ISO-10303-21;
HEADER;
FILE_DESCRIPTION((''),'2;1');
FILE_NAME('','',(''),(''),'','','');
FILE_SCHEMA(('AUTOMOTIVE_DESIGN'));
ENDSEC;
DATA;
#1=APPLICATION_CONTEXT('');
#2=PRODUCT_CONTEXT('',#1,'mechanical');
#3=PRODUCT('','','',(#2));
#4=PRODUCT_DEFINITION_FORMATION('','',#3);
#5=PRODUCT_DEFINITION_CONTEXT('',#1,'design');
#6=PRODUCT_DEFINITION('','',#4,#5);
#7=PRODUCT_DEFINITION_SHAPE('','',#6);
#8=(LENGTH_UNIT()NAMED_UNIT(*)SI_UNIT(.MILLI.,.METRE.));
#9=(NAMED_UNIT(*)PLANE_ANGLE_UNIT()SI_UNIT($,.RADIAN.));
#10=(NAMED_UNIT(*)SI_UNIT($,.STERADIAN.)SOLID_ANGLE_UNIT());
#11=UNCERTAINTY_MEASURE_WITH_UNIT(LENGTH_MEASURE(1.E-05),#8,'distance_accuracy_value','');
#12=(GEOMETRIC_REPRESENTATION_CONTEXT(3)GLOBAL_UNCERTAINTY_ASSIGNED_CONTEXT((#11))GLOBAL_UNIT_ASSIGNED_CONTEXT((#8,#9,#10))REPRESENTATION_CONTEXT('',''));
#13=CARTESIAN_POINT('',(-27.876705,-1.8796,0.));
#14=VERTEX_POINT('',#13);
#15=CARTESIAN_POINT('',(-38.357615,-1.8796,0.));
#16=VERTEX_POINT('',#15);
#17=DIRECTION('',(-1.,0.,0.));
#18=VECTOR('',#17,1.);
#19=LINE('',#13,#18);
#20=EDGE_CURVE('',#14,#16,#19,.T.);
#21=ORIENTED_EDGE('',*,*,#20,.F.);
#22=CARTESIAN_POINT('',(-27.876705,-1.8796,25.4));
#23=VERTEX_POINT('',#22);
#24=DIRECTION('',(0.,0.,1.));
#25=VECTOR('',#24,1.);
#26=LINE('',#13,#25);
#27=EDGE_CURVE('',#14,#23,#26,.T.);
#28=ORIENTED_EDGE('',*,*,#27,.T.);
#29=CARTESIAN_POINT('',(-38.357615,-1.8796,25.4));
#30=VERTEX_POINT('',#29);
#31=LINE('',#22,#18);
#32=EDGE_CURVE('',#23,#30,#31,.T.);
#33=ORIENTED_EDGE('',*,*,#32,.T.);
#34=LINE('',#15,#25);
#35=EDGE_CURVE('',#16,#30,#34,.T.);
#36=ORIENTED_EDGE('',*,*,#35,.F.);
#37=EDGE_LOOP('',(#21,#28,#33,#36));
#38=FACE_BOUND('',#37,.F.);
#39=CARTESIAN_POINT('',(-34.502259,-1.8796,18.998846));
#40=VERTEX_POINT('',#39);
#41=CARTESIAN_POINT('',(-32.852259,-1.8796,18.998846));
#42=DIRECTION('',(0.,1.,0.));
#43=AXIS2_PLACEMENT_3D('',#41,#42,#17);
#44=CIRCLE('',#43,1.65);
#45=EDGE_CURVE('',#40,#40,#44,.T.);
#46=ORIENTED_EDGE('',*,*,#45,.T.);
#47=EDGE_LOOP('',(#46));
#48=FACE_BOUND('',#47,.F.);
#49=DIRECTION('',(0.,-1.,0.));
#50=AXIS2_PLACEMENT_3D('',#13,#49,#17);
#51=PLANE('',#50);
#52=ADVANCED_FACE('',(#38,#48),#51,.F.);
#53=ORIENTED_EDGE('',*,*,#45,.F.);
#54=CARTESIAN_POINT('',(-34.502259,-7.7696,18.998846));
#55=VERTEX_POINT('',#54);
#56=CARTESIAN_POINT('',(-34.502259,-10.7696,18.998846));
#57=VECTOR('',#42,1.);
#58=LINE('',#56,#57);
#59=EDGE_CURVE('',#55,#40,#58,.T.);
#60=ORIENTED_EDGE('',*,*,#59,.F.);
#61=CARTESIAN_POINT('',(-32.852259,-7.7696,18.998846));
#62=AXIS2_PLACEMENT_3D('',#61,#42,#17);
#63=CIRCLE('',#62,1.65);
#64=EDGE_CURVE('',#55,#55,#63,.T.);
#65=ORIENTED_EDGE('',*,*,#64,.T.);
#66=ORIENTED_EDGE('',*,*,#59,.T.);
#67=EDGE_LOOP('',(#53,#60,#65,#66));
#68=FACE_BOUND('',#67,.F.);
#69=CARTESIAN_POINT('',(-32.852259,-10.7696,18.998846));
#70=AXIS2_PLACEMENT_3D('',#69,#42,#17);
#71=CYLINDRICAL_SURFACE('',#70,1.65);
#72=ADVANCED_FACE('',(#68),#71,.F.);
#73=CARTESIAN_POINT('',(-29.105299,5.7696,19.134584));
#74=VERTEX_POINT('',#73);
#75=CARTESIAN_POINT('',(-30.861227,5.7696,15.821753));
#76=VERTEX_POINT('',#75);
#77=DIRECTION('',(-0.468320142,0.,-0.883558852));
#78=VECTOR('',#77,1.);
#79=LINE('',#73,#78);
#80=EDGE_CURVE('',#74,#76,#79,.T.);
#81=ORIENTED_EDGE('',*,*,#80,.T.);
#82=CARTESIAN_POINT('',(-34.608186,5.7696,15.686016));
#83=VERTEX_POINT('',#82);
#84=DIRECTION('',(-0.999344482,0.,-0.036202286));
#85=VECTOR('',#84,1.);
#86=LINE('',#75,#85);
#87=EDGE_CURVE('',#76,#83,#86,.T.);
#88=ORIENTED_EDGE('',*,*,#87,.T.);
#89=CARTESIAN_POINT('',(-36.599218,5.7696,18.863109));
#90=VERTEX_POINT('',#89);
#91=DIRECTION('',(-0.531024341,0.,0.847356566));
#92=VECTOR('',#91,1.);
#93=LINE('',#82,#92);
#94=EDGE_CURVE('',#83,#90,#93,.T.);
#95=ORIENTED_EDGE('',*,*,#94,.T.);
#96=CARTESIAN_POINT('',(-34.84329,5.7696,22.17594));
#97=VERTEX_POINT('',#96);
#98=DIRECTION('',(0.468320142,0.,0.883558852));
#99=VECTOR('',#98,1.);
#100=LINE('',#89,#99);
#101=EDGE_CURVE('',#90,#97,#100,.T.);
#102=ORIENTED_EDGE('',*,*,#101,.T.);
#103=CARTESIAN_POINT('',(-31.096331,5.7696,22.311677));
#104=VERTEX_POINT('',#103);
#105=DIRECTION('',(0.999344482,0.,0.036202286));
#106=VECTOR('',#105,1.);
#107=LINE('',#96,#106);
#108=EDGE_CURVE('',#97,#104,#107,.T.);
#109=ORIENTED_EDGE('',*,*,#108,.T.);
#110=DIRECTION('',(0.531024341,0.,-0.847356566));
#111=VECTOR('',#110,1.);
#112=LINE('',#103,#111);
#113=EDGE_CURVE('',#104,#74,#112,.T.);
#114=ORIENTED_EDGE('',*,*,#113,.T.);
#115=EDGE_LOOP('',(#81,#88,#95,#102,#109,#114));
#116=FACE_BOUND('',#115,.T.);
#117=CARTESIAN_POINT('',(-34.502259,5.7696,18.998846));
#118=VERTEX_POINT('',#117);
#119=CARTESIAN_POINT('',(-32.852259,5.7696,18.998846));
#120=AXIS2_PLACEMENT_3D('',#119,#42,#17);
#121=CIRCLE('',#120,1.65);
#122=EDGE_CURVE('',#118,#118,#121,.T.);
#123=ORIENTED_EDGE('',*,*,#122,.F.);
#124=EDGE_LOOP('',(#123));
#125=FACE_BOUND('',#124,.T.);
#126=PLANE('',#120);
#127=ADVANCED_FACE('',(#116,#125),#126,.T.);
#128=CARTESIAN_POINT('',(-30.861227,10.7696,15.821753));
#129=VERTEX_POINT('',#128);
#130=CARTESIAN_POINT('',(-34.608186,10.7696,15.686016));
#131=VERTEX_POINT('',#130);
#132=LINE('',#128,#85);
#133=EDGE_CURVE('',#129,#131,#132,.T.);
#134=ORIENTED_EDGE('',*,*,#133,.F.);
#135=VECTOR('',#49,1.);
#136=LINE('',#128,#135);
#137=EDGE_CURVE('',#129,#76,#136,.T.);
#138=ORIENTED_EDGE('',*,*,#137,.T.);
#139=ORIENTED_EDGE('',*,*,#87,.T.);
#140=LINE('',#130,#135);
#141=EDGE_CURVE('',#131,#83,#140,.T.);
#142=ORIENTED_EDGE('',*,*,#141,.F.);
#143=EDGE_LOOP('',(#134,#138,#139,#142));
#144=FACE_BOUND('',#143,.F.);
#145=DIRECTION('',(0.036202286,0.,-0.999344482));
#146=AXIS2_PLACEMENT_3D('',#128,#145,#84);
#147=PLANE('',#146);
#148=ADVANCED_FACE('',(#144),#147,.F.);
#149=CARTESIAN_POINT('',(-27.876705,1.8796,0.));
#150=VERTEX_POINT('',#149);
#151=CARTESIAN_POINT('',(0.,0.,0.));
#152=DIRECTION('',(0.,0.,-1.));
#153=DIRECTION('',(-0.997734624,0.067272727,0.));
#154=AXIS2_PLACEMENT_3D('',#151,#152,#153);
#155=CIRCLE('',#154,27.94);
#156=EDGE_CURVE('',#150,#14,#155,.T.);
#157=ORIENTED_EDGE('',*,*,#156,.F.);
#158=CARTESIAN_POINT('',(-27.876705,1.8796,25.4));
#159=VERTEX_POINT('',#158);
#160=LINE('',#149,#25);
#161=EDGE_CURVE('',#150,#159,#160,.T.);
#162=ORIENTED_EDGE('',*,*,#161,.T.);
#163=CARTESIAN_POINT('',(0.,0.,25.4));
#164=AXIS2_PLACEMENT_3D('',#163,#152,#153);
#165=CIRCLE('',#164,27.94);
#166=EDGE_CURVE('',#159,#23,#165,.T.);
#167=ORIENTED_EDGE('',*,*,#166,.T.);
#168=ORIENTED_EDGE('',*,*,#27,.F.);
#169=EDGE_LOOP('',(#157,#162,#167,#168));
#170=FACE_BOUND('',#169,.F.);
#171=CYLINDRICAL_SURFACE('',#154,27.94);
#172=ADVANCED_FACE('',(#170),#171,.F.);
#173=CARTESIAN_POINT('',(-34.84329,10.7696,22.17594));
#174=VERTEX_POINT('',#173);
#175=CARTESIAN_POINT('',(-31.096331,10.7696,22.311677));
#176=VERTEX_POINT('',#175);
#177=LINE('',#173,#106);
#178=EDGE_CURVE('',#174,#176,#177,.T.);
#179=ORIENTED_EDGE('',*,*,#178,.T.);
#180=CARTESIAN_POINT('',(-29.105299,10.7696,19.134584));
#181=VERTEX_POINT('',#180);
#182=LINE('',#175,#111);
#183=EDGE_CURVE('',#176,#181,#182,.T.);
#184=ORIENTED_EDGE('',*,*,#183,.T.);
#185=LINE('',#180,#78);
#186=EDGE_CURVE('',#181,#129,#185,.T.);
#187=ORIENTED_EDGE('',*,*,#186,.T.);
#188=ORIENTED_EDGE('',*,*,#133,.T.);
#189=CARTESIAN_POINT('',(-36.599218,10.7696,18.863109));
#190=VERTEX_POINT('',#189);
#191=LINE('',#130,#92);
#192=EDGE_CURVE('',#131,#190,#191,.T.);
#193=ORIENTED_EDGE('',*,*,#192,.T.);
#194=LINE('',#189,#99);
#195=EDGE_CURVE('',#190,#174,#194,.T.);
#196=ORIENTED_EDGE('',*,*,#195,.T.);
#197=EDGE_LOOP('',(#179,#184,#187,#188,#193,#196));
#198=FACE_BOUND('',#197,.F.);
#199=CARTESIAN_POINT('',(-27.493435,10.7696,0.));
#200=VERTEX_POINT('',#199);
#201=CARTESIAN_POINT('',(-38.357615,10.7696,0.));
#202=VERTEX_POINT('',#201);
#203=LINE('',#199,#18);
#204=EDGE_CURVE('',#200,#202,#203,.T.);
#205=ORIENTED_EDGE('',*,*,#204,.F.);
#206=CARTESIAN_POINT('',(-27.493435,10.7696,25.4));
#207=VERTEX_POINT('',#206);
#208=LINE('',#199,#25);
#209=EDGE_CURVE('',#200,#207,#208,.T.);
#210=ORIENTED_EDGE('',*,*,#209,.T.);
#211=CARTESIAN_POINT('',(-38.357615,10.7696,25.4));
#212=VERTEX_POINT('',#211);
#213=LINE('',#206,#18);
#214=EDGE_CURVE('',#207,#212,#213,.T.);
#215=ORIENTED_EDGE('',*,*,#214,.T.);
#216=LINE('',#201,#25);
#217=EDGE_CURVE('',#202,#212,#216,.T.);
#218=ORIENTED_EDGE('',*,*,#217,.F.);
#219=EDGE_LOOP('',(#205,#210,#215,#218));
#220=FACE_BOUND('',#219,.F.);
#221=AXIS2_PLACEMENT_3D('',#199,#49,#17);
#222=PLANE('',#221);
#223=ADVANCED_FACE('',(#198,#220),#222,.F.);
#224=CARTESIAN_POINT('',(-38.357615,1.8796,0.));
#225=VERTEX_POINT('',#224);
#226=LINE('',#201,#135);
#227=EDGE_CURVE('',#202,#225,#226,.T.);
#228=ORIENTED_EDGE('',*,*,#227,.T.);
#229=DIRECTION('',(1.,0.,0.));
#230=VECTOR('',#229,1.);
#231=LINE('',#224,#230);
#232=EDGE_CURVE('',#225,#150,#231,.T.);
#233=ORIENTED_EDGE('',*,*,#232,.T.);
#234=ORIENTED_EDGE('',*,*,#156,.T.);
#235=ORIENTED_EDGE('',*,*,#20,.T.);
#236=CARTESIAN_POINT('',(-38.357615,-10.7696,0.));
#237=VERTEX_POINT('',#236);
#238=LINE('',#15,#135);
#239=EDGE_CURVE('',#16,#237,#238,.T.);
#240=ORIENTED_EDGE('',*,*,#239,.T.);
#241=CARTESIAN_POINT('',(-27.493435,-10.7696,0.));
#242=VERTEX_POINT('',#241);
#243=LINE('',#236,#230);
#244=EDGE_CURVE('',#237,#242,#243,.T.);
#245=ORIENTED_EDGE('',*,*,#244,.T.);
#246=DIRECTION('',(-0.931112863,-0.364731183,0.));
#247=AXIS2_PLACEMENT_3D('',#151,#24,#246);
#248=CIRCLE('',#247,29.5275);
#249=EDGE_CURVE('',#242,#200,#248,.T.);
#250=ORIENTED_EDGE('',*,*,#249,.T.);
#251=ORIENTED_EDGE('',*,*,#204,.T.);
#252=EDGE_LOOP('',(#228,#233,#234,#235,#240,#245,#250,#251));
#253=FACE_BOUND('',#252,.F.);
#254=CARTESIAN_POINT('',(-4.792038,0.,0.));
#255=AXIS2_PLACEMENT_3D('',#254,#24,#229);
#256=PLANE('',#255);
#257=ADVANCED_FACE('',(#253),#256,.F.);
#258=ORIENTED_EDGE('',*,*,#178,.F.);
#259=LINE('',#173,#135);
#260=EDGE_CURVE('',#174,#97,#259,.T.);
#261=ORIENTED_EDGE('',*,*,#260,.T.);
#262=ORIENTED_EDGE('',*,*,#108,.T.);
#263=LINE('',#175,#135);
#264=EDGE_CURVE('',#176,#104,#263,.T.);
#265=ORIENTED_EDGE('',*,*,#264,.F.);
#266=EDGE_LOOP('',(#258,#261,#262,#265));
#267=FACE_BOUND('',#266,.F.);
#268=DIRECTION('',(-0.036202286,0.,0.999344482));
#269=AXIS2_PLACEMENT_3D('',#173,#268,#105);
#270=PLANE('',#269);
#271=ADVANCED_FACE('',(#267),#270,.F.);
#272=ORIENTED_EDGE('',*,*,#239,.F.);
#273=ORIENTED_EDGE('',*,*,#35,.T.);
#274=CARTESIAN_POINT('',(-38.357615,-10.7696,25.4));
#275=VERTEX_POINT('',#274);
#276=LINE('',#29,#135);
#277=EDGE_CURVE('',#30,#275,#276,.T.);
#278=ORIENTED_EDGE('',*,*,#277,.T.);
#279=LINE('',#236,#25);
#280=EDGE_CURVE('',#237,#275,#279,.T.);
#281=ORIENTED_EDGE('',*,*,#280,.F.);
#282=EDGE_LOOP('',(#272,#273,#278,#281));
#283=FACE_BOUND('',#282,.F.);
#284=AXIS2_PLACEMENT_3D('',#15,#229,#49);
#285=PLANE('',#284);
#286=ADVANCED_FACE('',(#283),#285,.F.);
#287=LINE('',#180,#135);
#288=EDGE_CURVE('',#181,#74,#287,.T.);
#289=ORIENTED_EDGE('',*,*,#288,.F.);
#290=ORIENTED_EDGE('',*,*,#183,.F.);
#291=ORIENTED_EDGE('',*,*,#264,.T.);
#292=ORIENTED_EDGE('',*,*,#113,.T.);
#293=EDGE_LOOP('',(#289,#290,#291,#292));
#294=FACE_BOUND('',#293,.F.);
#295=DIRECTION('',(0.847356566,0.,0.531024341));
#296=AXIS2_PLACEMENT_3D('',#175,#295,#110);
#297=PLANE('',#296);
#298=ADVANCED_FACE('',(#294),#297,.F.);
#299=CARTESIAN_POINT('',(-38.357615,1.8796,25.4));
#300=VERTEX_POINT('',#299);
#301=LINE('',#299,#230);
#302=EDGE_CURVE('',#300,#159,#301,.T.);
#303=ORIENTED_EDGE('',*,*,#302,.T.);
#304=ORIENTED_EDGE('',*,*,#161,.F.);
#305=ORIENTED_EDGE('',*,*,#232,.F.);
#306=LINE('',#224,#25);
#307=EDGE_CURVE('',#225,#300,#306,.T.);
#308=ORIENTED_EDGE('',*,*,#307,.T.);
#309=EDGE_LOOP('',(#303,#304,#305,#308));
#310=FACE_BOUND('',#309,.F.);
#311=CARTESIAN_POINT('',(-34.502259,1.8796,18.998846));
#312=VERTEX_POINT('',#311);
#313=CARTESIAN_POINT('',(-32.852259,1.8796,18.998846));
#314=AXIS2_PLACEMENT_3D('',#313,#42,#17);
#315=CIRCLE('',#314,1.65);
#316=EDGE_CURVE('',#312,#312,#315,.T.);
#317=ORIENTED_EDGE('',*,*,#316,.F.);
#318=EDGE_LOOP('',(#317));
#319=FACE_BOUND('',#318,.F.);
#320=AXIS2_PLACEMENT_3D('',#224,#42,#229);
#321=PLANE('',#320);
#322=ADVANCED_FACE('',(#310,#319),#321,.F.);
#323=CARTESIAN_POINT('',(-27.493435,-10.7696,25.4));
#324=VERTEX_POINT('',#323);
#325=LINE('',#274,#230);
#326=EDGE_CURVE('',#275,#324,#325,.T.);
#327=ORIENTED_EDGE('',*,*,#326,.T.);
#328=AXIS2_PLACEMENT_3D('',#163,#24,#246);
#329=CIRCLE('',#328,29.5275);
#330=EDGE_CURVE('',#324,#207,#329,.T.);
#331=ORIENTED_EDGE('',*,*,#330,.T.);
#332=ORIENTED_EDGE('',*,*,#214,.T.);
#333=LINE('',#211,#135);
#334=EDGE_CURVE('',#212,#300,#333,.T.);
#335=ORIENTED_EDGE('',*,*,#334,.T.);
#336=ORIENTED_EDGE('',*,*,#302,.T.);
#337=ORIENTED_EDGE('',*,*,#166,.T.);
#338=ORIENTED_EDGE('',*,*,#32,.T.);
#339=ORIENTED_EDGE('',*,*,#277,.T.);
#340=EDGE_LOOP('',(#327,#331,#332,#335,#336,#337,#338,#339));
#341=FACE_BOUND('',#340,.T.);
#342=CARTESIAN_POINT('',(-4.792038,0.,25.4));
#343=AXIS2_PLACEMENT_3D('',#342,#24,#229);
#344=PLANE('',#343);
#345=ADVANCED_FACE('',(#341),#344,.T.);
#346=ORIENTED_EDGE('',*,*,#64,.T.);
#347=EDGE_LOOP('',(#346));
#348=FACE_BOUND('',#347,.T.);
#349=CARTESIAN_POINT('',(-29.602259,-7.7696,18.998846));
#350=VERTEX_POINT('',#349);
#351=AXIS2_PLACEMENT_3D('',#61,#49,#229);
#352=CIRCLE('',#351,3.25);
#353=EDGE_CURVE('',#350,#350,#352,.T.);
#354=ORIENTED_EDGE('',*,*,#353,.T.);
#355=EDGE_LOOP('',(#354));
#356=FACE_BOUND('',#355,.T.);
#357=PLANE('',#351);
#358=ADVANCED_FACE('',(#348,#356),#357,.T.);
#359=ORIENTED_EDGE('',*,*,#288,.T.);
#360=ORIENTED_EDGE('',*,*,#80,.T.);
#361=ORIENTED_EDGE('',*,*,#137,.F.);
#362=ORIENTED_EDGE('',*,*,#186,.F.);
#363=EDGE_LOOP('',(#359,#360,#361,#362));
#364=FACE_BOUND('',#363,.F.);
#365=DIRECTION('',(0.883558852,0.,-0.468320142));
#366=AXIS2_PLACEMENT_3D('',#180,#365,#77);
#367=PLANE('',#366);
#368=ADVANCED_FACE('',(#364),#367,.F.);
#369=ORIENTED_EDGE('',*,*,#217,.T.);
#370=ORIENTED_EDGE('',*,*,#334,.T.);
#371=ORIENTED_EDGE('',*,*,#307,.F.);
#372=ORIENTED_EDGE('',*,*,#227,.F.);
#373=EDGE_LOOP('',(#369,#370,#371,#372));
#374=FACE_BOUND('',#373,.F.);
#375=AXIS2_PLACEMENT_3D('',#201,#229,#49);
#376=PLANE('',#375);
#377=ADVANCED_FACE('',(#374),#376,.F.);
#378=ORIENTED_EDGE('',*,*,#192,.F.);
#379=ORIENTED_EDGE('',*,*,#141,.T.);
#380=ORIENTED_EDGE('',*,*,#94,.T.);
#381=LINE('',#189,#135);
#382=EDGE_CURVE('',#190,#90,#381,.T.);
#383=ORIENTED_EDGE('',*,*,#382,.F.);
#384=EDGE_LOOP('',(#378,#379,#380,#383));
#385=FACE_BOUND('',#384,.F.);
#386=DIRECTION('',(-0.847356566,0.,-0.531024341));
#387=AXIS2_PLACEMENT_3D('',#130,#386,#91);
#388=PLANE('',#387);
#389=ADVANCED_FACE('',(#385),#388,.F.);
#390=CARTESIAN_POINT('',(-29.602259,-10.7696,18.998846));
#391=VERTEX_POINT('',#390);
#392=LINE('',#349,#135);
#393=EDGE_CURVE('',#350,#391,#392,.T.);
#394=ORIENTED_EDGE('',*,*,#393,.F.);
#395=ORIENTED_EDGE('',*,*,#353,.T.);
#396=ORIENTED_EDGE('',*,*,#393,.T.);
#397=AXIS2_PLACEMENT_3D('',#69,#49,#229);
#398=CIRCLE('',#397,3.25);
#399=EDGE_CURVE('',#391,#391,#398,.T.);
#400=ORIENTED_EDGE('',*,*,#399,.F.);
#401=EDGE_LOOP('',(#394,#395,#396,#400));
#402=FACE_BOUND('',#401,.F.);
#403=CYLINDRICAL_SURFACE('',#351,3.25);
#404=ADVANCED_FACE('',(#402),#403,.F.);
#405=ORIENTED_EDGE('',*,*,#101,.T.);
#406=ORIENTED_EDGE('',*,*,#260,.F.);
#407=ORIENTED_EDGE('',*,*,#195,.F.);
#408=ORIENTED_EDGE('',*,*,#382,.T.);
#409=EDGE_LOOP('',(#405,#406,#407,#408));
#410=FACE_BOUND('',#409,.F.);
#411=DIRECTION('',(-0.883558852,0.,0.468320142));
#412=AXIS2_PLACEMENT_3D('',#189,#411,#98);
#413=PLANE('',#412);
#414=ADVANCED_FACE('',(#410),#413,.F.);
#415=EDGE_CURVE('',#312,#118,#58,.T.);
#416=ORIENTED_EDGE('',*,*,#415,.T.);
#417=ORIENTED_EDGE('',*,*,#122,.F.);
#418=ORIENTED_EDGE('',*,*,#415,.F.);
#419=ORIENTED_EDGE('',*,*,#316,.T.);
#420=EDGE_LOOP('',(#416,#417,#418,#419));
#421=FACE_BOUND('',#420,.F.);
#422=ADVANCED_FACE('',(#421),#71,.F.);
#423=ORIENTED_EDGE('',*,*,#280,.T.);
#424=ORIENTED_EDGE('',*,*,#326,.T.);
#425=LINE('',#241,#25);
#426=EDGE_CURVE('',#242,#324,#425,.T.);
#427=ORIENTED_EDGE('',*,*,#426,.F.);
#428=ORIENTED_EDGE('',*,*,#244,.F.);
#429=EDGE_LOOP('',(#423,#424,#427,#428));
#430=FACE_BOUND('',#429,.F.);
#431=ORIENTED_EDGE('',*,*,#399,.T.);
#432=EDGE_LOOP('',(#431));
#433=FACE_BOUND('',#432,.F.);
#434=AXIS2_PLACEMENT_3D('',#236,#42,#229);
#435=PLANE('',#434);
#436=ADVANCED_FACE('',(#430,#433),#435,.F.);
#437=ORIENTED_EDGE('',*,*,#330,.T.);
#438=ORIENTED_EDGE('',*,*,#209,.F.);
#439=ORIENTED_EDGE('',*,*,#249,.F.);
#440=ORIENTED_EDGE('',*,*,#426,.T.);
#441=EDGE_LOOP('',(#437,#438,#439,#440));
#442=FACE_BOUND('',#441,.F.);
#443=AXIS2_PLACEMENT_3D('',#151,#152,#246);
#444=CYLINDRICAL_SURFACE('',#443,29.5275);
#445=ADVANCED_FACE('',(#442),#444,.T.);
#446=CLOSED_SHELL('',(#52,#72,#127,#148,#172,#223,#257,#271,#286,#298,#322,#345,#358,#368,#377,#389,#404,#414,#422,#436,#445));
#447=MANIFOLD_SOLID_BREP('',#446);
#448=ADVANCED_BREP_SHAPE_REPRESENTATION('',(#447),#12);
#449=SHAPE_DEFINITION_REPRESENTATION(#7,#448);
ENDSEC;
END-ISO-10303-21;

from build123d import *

# Parameters (mm, degrees)
F1_DEPTH       = 25.4
F3_D           = 3.3
F3_CBORE_D     = 6.5
F3_CBORE_DEPTH = 3
F5_DEPTH       = 5


with BuildPart() as f1:
    # F0 (on Top) → F1 (new body)
    with BuildSketch(Plane.XY):
        with BuildLine():
            ThreePointArc((-27.8767053979, 1.8796), (27.94, 0), (-27.8767053979, -1.8796))
            Line((-27.8767053979, -1.8796), (-29.4676154463, -1.8796))
            Line((-29.4676154463, -1.8796), (-38.3576154463, -1.8796))
            Line((-38.3576154463, -1.8796), (-38.3576154463, -10.7696))
            Line((-38.3576154463, -10.7696), (-29.4676154463, -10.7696))
            Line((-29.4676154463, -10.7696), (-27.4934350726, -10.7696))
            ThreePointArc((-27.4934350726, -10.7696), (29.5275, 0), (-27.4934350726, 10.7696))
            Line((-27.4934350726, 10.7696), (-29.4676154463, 10.7696))
            Line((-29.4676154463, 10.7696), (-38.3576154463, 10.7696))
            Line((-38.3576154463, 10.7696), (-38.3576154463, 1.8796))
            Line((-38.3576154463, 1.8796), (-29.4676154463, 1.8796))
            Line((-29.4676154463, 1.8796), (-27.8767053979, 1.8796))
        make_face()
    extrude(amount=F1_DEPTH)

    # F3 (through all)
    with Locations(Plane.XZ.offset(10.7696)):
        with Locations((-32.8522585332, 18.9988464117)):
            CounterBoreHole(F3_D / 2, F3_CBORE_D / 2, F3_CBORE_DEPTH)

    # F4 (on face) → F5 (cut)
    with BuildSketch(Plane(origin=(0, 10.7696, 0), x_dir=(-1, 0, 0), z_dir=(0, 1, 0))):
        Polygon((34.6081861546, 15.6860156038), (36.599217982, 18.8631089351), (34.8432903606, 22.175939743), (31.0963309118, 22.3116772196), (29.1052990845, 19.1345838883), (30.8612267059, 15.8217530804), align=None)
    extrude(amount=-F5_DEPTH, mode=Mode.SUBTRACT)


solid = f1.part
